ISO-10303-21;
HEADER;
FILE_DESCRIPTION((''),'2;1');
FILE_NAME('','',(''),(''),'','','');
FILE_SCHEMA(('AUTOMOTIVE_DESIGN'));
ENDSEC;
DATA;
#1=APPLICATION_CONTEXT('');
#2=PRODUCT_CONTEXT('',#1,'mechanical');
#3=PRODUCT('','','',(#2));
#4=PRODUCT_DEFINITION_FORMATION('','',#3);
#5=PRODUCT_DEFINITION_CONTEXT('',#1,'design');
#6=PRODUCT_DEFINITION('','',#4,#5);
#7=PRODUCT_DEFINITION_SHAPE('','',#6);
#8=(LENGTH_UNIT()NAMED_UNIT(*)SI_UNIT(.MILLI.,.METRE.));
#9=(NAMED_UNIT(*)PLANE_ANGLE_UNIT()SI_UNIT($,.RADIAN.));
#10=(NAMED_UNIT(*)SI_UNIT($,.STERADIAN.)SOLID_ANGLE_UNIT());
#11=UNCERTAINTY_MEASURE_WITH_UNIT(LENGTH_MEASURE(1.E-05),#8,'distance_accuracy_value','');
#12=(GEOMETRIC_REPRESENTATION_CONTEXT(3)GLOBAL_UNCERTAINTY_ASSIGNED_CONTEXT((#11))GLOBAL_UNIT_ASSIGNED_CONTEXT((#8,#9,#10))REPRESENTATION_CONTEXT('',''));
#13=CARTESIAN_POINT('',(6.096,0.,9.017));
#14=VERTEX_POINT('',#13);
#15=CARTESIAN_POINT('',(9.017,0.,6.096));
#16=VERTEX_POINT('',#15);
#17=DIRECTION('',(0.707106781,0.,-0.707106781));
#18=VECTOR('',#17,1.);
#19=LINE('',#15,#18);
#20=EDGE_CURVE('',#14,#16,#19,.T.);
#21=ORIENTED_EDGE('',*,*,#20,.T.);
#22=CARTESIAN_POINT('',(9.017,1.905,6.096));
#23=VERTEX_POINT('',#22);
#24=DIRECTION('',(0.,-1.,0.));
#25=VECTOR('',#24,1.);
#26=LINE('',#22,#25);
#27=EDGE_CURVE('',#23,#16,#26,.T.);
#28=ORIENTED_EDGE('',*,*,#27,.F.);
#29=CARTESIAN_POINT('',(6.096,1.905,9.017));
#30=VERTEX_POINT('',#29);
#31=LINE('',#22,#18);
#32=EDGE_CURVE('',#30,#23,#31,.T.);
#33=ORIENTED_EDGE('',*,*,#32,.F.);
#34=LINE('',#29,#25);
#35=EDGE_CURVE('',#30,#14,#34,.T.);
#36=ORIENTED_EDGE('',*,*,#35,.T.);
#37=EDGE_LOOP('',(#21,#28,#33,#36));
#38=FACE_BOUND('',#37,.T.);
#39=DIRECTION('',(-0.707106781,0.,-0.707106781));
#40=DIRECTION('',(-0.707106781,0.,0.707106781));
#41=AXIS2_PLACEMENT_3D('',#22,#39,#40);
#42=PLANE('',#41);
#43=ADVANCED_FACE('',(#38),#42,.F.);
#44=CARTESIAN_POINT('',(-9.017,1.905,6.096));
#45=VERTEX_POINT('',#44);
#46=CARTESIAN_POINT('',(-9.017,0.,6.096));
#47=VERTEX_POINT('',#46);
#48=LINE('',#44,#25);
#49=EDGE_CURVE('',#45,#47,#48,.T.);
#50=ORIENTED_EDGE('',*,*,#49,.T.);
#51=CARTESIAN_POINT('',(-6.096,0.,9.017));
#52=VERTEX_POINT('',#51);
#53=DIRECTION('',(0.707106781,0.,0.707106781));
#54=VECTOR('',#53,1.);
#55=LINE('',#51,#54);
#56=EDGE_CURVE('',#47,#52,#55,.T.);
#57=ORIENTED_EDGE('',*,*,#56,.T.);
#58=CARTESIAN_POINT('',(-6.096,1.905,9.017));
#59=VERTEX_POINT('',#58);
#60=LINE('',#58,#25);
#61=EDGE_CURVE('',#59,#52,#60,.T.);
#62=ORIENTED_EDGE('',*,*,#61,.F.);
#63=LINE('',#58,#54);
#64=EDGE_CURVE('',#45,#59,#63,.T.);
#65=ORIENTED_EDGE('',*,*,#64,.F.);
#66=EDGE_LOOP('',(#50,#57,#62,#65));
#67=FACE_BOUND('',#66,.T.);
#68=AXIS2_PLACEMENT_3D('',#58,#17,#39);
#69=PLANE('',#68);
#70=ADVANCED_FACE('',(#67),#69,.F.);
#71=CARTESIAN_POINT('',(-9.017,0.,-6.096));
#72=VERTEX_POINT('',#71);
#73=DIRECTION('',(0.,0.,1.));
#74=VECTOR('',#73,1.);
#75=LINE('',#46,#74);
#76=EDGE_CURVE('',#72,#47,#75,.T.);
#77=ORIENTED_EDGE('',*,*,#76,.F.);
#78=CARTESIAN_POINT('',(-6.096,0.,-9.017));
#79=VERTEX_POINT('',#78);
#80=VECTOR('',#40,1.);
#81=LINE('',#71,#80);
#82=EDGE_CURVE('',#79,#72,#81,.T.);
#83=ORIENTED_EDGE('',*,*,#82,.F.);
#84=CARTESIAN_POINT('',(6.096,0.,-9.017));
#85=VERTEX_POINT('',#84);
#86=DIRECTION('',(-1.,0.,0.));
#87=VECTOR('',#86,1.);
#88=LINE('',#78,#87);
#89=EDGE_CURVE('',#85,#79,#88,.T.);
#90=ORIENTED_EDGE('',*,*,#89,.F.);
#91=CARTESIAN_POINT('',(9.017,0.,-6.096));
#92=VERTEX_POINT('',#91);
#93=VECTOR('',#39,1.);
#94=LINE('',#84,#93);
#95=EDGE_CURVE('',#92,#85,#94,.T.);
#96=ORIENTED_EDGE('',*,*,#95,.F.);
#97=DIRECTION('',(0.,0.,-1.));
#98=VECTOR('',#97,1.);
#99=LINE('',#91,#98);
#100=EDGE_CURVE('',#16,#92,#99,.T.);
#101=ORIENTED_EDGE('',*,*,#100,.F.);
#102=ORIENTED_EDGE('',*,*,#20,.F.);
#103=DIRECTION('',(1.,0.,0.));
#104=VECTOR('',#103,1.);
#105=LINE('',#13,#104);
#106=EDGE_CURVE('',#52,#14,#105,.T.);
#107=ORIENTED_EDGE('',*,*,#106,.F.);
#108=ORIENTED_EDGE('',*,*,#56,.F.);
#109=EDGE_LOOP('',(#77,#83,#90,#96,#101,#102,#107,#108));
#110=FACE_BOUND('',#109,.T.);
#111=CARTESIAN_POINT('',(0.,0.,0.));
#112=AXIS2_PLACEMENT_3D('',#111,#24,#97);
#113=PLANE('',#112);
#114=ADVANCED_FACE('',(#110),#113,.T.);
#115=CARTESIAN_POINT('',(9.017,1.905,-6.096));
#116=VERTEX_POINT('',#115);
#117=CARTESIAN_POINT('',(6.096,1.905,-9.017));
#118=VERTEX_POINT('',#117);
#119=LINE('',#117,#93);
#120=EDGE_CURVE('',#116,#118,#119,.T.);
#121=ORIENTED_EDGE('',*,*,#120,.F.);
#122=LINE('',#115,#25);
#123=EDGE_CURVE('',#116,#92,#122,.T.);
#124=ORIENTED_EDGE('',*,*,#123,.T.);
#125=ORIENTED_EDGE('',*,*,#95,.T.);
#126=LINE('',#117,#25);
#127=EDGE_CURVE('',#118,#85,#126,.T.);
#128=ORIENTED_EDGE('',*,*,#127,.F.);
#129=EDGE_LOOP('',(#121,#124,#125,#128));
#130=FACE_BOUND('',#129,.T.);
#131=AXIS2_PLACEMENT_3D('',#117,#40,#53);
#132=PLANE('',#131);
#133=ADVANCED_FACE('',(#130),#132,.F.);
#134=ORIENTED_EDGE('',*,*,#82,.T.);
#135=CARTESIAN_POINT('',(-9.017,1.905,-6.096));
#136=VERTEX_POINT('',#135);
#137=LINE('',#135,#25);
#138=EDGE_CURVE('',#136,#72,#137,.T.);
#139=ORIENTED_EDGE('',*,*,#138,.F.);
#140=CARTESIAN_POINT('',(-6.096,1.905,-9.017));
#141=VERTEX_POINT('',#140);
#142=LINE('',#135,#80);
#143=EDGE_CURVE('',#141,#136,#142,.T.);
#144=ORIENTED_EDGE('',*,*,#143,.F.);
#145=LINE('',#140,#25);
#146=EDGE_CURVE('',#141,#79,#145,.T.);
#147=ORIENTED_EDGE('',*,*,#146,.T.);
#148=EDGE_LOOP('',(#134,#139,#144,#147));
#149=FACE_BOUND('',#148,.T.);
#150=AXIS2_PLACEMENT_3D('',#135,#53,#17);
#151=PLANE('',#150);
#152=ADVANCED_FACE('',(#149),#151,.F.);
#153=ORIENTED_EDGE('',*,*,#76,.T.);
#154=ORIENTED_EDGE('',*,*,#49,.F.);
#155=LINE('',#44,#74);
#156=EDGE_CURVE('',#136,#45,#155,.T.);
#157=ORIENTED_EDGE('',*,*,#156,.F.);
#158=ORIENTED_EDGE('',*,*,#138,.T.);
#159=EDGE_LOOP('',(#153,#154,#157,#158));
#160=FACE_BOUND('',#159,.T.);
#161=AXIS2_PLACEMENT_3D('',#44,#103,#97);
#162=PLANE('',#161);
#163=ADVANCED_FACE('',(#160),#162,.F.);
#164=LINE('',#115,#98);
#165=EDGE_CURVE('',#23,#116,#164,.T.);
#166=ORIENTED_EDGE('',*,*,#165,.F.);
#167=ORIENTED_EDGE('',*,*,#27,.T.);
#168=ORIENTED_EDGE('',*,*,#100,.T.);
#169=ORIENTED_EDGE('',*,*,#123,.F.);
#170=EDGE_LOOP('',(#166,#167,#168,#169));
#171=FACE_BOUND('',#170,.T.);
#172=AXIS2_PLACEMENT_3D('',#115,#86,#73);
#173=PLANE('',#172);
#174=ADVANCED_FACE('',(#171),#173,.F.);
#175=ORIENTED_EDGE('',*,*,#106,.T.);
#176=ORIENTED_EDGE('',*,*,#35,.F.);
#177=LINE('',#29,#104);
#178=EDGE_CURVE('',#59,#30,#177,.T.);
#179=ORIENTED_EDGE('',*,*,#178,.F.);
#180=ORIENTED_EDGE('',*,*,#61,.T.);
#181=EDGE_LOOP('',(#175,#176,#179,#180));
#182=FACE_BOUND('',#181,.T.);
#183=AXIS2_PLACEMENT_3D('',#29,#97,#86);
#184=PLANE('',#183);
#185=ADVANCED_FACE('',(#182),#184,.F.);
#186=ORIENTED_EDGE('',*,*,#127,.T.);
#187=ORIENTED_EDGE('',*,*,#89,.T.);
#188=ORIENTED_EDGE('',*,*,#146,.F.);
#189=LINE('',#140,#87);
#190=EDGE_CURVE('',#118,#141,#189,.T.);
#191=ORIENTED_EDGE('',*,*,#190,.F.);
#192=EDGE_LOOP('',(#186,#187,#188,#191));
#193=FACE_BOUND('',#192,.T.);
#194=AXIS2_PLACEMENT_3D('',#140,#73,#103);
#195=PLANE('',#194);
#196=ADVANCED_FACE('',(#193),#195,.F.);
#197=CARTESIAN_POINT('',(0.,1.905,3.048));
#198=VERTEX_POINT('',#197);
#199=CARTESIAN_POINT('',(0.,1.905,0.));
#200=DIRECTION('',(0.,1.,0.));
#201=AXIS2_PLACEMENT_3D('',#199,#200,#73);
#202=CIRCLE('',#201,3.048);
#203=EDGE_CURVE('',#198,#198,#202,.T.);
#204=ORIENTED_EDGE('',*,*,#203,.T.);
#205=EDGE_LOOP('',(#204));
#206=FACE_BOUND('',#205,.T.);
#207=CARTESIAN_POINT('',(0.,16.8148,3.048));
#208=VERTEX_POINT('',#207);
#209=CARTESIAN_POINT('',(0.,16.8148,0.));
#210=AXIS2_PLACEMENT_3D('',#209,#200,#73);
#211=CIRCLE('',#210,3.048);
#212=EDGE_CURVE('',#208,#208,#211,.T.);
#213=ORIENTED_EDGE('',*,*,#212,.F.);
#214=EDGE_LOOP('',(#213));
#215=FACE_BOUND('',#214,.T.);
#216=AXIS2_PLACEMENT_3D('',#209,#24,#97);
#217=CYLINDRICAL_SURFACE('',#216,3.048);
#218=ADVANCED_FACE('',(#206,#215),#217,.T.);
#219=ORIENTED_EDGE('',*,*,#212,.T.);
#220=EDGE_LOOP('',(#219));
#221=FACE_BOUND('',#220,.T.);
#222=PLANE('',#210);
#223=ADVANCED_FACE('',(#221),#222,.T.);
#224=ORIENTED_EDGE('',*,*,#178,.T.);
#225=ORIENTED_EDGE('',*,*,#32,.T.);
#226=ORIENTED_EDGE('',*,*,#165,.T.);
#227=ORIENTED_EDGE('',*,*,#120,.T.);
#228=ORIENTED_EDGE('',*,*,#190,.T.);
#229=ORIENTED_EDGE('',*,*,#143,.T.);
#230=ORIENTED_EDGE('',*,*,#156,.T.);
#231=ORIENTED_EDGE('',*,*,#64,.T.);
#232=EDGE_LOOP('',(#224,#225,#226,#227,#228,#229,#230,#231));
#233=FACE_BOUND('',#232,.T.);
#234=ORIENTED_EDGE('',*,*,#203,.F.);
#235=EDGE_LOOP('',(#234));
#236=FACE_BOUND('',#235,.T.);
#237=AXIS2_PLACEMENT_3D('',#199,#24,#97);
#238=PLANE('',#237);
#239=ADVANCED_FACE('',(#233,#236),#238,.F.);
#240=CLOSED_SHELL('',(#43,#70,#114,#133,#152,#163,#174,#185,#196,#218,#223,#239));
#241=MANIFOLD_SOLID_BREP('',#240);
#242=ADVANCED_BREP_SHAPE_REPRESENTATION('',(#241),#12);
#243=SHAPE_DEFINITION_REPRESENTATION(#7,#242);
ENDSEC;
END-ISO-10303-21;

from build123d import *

# Parameters (mm, degrees)
BOSS_EXTRUDE1_DEPTH = 1.905
SKETCH2_R           = 3.048
BOSS_EXTRUDE2_DEPTH = 14.9098


with BuildPart() as part:
    # Sketch1 → Boss-Extrude1 (new body)
    with BuildSketch(Plane(origin=(0, 0, 0), x_dir=(1, 0, 0), z_dir=(0, 1, 0))):
        Polygon((-6.096, 9.017), (6.096, 9.017), (9.017, 6.096), (9.017, -6.096), (6.096, -9.017), (-6.096, -9.017), (-9.017, -6.096), (-9.017, 6.096), align=None)
    extrude(amount=BOSS_EXTRUDE1_DEPTH)

    # Sketch2 → Boss-Extrude2 (add)
    with BuildSketch(Plane(origin=(0, 1.905, 0), x_dir=(1, 0, 0), z_dir=(0, 1, 0))):
        Circle(SKETCH2_R)
    extrude(amount=BOSS_EXTRUDE2_DEPTH)


solid = part.part
